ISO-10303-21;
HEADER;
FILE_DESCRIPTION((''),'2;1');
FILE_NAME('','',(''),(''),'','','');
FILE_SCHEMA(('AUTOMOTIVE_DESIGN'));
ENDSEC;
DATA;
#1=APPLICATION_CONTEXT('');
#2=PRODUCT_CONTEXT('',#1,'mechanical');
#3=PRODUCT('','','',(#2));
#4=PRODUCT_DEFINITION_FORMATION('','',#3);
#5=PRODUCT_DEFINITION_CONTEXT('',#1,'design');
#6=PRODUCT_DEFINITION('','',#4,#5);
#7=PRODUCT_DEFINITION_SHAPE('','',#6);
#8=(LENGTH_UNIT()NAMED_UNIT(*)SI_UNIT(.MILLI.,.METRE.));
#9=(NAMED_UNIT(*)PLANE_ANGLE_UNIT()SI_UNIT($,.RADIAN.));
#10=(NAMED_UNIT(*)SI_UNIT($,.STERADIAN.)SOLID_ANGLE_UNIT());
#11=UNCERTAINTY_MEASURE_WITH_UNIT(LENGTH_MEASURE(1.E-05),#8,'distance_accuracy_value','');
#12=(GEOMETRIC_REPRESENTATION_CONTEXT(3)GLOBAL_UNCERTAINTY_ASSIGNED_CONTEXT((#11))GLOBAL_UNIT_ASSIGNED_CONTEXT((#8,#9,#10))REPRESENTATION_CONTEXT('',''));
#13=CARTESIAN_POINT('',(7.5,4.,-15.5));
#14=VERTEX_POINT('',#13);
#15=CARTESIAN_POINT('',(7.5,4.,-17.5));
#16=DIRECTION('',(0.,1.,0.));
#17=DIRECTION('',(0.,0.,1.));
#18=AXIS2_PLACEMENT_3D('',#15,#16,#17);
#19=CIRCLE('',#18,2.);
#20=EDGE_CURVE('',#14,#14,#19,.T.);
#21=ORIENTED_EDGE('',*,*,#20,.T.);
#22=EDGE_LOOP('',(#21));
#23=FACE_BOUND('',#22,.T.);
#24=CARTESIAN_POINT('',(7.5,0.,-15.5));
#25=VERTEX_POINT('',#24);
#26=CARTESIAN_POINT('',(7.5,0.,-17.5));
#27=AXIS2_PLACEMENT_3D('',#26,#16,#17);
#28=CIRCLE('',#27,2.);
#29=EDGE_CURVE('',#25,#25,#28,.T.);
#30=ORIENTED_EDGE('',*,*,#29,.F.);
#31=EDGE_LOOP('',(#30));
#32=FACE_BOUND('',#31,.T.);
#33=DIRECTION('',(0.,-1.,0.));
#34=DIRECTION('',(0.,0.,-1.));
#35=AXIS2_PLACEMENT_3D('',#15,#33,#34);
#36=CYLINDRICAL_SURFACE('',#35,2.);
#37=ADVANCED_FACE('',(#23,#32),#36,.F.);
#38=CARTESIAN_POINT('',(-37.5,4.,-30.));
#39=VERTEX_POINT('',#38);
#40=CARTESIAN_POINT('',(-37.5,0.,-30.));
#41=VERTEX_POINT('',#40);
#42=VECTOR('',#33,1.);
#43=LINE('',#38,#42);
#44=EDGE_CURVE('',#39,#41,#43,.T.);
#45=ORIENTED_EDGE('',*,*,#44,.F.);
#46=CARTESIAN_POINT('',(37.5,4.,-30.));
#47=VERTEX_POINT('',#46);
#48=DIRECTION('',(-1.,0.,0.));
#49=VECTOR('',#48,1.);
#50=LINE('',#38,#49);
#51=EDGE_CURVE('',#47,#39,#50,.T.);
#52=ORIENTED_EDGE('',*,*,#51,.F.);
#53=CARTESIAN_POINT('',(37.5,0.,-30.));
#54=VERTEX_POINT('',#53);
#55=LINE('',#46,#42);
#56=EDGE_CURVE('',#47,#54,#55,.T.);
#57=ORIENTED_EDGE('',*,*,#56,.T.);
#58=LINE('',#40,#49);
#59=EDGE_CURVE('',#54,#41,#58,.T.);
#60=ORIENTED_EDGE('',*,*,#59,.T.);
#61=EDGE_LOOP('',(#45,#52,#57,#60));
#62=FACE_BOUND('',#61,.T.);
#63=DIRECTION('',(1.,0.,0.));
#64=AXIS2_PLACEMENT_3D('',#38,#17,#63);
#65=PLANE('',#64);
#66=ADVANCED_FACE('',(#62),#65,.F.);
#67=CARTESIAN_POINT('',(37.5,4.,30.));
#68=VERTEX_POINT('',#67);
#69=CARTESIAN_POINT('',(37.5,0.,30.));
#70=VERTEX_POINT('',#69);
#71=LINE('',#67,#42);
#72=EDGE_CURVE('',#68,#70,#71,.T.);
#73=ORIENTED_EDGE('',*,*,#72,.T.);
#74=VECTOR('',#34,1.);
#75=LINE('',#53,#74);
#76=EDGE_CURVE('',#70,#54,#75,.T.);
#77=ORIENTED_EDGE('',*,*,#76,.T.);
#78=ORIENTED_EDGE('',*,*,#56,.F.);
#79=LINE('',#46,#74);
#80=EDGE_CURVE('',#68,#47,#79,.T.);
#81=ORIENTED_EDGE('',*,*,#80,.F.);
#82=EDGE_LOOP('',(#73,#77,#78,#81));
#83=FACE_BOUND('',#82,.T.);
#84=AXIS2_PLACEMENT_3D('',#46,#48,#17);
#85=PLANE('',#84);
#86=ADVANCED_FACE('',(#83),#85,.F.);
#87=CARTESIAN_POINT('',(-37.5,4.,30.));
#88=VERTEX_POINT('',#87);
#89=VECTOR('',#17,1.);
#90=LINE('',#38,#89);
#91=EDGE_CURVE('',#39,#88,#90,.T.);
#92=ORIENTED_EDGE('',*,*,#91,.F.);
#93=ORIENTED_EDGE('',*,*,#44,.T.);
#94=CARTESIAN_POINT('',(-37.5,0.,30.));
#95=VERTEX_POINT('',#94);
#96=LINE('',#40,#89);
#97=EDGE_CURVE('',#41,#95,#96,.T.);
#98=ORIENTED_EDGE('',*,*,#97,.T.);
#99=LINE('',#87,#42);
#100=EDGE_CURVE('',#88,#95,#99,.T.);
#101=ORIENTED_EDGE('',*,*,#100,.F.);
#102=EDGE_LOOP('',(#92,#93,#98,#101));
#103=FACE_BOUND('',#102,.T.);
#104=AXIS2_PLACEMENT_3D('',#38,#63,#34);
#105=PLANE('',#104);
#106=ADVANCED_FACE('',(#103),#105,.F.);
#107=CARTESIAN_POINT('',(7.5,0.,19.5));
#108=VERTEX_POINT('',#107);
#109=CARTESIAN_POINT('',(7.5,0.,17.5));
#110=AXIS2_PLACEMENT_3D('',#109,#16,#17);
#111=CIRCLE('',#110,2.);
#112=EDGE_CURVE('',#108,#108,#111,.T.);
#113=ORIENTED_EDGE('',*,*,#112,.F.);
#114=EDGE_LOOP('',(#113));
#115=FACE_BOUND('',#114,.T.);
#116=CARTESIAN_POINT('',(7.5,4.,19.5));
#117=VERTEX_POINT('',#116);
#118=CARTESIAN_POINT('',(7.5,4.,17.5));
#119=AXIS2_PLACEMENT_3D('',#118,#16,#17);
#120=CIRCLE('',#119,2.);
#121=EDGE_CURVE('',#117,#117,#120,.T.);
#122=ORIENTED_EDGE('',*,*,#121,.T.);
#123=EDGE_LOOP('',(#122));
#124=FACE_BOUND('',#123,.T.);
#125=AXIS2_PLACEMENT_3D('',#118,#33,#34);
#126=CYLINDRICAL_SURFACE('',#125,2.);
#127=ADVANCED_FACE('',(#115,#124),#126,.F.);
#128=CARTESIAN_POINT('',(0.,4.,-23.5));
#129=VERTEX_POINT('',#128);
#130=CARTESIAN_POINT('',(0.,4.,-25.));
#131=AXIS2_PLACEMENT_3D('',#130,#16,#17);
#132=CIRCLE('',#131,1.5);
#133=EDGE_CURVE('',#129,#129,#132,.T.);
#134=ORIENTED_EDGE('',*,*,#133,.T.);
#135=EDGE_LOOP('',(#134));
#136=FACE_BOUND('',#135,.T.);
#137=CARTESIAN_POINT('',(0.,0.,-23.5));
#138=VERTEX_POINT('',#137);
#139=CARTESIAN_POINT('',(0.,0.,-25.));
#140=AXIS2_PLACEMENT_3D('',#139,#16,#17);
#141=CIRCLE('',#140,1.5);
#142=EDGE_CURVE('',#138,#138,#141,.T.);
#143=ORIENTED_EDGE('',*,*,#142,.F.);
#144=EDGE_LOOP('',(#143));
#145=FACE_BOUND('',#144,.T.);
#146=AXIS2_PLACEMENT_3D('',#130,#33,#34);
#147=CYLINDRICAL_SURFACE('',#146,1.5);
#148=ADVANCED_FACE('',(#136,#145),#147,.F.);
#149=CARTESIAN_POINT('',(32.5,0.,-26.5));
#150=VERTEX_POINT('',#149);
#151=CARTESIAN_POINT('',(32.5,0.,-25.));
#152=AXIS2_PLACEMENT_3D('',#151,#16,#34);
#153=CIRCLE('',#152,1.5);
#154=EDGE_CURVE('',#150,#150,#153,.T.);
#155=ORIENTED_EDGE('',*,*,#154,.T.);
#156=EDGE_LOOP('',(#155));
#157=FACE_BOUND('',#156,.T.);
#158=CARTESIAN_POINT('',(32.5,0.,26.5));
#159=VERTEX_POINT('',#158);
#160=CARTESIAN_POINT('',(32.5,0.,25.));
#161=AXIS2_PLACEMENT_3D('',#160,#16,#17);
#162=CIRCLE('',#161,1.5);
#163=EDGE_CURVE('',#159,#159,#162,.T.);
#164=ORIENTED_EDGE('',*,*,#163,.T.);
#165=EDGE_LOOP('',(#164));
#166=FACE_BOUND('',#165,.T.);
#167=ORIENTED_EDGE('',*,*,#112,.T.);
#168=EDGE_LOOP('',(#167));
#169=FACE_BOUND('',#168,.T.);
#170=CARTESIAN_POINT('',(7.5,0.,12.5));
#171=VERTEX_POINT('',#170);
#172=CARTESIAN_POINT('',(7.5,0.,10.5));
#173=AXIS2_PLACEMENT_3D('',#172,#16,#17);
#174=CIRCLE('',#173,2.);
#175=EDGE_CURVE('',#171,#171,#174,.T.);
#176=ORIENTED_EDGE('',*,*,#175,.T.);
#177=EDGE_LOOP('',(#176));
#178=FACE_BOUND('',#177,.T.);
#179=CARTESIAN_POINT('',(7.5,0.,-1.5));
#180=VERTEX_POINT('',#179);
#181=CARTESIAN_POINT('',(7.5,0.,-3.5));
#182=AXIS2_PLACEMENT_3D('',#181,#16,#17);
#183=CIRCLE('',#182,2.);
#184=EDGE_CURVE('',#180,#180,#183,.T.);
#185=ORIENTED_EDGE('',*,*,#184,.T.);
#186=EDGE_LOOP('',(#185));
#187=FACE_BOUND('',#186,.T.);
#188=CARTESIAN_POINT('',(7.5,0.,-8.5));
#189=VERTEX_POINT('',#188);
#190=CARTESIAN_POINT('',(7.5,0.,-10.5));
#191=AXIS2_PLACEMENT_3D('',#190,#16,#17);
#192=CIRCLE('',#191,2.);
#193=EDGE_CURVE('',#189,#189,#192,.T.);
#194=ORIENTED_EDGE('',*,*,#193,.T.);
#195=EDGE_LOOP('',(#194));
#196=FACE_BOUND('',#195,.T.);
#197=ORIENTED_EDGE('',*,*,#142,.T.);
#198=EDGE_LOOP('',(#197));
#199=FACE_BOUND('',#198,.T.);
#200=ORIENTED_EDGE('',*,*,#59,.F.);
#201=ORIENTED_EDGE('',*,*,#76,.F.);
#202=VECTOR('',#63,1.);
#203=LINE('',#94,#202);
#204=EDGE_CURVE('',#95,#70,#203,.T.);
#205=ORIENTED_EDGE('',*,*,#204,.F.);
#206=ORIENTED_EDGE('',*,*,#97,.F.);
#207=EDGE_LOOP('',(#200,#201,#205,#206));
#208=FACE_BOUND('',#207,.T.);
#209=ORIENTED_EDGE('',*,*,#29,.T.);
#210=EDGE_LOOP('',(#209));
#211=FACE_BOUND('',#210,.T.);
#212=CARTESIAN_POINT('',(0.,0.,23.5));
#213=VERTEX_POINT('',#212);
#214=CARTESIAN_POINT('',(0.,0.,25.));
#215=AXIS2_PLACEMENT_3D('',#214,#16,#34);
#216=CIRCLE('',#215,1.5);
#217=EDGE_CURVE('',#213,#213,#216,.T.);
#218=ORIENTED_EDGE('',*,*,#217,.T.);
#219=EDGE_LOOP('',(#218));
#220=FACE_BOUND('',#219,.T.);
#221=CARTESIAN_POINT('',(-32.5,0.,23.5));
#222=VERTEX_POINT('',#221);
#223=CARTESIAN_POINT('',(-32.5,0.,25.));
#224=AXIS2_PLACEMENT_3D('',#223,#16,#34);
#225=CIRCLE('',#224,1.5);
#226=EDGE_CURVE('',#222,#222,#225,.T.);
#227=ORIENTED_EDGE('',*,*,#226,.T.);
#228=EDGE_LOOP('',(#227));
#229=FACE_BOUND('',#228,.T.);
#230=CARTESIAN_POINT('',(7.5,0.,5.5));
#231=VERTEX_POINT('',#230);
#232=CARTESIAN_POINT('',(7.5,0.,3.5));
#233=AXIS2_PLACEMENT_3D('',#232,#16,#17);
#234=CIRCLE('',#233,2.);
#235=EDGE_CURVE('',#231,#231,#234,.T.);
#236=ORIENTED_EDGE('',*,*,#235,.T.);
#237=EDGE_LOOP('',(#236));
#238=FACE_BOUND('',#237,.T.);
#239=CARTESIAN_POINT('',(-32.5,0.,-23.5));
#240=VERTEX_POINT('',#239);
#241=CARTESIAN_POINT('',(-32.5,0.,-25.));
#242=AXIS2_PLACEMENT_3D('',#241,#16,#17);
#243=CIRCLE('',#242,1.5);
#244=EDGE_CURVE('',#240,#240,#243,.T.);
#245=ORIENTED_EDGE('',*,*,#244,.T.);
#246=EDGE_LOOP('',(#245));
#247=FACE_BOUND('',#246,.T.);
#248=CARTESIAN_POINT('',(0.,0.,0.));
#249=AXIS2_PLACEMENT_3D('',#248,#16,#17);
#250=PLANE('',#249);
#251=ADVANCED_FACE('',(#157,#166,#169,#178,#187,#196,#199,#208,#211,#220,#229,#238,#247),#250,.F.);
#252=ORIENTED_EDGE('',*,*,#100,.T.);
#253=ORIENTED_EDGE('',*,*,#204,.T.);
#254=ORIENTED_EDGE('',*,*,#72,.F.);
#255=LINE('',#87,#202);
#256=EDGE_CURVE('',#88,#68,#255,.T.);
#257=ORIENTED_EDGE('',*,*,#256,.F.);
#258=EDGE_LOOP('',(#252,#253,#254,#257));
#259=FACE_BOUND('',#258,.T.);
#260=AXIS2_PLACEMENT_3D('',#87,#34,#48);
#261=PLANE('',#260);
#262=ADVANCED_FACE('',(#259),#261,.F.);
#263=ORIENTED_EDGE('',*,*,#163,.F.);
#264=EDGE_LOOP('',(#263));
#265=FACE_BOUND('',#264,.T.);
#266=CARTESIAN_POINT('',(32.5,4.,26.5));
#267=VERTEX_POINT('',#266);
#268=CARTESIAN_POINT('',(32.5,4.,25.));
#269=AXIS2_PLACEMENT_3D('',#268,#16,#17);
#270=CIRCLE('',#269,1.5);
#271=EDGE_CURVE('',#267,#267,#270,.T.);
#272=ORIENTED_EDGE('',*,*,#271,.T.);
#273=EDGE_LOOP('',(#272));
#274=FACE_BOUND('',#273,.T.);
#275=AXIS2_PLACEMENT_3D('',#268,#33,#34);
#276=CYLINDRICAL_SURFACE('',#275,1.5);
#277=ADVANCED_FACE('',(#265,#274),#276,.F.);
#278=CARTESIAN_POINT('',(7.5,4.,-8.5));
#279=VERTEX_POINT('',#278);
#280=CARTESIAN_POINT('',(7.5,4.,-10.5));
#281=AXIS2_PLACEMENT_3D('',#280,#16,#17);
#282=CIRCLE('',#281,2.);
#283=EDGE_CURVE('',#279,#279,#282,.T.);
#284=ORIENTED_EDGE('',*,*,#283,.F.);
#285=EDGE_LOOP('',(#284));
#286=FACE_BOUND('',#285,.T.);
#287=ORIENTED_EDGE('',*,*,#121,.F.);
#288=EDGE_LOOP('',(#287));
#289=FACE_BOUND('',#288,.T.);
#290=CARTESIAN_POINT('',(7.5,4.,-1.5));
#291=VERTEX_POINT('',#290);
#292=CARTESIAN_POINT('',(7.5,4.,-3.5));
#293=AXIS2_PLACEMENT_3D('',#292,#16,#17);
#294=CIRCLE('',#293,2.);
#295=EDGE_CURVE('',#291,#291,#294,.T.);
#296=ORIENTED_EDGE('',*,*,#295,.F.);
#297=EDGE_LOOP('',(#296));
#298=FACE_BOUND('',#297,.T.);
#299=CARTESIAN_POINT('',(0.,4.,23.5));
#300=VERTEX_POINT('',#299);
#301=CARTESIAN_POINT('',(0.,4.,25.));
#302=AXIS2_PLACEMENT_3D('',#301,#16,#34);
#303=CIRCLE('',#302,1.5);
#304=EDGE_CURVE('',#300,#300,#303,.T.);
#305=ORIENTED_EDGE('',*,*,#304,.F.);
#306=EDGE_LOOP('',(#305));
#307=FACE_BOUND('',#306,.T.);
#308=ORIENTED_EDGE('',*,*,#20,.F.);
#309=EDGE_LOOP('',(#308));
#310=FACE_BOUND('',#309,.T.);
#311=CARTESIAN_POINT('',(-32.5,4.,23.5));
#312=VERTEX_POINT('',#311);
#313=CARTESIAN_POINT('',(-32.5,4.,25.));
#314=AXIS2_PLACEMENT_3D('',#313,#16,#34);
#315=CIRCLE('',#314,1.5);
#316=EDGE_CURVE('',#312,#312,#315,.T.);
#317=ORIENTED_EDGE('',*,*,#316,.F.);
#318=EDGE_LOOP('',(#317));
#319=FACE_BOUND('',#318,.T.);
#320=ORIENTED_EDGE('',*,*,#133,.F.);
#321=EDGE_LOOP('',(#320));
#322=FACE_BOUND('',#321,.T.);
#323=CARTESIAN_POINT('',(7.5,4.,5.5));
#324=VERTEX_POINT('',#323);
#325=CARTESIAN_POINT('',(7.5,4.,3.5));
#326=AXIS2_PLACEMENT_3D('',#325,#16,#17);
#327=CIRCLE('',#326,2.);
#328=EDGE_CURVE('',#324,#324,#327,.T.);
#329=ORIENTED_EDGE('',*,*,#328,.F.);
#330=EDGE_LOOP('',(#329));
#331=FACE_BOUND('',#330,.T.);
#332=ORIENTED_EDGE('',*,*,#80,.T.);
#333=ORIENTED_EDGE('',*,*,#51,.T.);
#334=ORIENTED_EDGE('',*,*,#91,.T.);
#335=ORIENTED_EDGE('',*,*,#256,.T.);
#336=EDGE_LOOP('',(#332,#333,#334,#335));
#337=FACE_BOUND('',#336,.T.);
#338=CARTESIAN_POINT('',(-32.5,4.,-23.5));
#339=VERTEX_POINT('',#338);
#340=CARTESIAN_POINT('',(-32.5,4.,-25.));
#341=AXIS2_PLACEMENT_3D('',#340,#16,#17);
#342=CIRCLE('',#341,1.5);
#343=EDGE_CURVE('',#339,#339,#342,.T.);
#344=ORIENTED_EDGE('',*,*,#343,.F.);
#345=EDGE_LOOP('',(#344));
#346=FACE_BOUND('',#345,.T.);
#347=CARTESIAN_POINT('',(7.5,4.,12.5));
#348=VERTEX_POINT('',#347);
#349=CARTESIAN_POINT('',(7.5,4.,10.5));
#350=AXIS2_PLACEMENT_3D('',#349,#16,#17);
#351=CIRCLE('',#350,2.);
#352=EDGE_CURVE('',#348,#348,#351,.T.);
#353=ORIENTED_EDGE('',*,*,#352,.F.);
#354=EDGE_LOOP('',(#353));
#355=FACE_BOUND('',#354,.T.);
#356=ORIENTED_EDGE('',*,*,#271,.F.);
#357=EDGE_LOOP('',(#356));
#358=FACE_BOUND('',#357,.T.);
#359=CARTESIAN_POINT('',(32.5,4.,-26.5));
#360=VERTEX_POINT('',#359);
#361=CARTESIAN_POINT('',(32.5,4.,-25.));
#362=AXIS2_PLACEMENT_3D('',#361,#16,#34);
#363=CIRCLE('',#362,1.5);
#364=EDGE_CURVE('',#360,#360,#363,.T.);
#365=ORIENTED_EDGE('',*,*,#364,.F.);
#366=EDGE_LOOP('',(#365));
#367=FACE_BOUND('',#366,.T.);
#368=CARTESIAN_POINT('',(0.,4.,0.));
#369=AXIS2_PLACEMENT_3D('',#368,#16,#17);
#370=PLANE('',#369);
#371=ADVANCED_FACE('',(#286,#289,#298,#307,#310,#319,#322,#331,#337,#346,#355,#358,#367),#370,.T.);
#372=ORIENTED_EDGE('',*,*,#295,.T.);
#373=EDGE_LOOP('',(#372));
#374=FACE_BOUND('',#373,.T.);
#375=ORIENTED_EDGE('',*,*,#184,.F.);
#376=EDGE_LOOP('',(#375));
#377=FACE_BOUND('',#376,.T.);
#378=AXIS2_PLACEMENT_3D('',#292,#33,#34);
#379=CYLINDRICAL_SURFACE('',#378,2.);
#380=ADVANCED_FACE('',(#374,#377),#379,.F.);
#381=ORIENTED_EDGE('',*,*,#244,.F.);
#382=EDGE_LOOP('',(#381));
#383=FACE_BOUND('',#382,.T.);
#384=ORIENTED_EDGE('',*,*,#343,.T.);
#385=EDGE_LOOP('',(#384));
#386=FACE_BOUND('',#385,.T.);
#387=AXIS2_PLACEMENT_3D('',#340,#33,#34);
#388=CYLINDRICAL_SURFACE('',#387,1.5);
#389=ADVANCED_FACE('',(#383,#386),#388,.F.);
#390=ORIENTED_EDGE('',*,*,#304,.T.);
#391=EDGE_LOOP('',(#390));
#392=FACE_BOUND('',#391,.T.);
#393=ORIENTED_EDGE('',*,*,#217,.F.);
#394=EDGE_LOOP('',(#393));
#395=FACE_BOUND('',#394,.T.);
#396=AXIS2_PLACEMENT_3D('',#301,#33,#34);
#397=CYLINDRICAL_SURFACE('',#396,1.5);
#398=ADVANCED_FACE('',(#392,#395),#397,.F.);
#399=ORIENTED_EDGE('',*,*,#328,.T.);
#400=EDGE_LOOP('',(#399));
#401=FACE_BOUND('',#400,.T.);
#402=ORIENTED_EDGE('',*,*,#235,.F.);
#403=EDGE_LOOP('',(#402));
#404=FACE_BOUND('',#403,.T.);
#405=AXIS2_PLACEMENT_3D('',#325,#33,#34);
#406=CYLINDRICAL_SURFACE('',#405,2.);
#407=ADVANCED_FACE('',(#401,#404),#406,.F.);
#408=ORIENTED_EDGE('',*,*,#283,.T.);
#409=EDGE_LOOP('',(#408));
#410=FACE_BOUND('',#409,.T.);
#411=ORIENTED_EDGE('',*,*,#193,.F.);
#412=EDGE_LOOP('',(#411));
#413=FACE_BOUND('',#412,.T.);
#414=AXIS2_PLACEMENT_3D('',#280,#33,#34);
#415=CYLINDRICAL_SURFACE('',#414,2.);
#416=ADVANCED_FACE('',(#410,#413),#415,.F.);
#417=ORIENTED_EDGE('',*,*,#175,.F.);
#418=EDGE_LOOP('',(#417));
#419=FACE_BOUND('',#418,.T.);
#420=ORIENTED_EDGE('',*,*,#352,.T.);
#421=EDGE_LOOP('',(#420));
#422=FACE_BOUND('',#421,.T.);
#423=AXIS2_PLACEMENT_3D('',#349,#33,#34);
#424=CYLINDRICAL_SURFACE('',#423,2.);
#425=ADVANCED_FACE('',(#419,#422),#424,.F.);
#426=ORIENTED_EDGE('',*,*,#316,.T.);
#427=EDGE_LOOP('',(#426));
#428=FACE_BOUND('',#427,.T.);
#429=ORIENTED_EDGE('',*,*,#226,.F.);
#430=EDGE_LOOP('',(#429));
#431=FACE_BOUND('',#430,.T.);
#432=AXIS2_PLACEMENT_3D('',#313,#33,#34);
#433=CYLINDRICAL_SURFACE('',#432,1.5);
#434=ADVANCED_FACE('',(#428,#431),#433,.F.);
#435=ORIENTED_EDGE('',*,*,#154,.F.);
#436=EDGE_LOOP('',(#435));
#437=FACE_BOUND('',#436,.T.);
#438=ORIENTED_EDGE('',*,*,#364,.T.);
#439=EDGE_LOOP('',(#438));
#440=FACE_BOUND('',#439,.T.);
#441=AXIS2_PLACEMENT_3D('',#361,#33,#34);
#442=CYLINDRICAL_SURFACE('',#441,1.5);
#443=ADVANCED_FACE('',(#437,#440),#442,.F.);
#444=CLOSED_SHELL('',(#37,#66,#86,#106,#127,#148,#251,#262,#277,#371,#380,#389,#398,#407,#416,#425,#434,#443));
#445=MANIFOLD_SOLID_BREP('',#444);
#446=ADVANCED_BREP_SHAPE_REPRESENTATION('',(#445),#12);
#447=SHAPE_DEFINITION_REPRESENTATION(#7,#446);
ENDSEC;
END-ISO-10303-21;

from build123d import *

# Parameters (mm, degrees)
SKETCH_1_W          = 75
SKETCH_1_H          = 60
EXTRUDE_1_DEPTH     = 4
SKETCH_2_R          = 2
CUT_EXTRUDE_1_DEPTH = 4
SKETCH_3_R          = 1.5
CUT_EXTRUDE_2_DEPTH = 49.189729196


with BuildPart() as part:
    # 草图1 → 凸台-拉伸1 (new body)
    with BuildSketch(Plane(origin=(0, 0, 0), x_dir=(1, 0, 0), z_dir=(0, 1, 0))):
        Rectangle(SKETCH_1_W, SKETCH_1_H)
    extrude(amount=EXTRUDE_1_DEPTH)

    # 草图2 → 切除-拉伸1 (cut)
    with BuildSketch(Plane(origin=(0, 0, 0), x_dir=(1, 0, 0), z_dir=(0, 1, 0))):
        with Locations(Location((7.5, 17.5, 0), (0, 0, 270))):
            Circle(SKETCH_2_R)
        with Locations(Location((7.5, 10.5, 0), (0, 0, 270))):
            Circle(SKETCH_2_R)
        with Locations(Location((7.5, 3.5, 0), (0, 0, 270))):
            Circle(SKETCH_2_R)
        with Locations(Location((7.5, -3.5, 0), (0, 0, 270))):
            Circle(SKETCH_2_R)
        with Locations(Location((7.5, -10.5, 0), (0, 0, 270))):
            Circle(SKETCH_2_R)
        with Locations(Location((7.5, -17.5, 0), (0, 0, 270))):
            Circle(SKETCH_2_R)
    extrude(amount=CUT_EXTRUDE_1_DEPTH, mode=Mode.SUBTRACT)

    # 草图3 → 切除-拉伸2 (cut, through all)
    with BuildSketch(Plane(origin=(0, 0, 0), x_dir=(1, 0, 0), z_dir=(0, 1, 0))):
        with Locations(Location((-32.5, 25, 0), (0, 0, 270))):
            Circle(SKETCH_3_R)
        with Locations(Location((32.5, 25, 0), (0, 0, 90))):
            Circle(SKETCH_3_R)
        with Locations(Location((32.5, -25, 0), (0, 0, 270))):
            Circle(SKETCH_3_R)
        with Locations(Location((-32.5, -25, 0), (0, 0, 90))):
            Circle(SKETCH_3_R)
        with Locations(Location((0, -25, 0), (0, 0, 90))):
            Circle(SKETCH_3_R)
        with Locations(Location((0, 25, 0), (0, 0, 270))):
            Circle(SKETCH_3_R)
    extrude(amount=CUT_EXTRUDE_2_DEPTH, mode=Mode.SUBTRACT)


solid = part.part
